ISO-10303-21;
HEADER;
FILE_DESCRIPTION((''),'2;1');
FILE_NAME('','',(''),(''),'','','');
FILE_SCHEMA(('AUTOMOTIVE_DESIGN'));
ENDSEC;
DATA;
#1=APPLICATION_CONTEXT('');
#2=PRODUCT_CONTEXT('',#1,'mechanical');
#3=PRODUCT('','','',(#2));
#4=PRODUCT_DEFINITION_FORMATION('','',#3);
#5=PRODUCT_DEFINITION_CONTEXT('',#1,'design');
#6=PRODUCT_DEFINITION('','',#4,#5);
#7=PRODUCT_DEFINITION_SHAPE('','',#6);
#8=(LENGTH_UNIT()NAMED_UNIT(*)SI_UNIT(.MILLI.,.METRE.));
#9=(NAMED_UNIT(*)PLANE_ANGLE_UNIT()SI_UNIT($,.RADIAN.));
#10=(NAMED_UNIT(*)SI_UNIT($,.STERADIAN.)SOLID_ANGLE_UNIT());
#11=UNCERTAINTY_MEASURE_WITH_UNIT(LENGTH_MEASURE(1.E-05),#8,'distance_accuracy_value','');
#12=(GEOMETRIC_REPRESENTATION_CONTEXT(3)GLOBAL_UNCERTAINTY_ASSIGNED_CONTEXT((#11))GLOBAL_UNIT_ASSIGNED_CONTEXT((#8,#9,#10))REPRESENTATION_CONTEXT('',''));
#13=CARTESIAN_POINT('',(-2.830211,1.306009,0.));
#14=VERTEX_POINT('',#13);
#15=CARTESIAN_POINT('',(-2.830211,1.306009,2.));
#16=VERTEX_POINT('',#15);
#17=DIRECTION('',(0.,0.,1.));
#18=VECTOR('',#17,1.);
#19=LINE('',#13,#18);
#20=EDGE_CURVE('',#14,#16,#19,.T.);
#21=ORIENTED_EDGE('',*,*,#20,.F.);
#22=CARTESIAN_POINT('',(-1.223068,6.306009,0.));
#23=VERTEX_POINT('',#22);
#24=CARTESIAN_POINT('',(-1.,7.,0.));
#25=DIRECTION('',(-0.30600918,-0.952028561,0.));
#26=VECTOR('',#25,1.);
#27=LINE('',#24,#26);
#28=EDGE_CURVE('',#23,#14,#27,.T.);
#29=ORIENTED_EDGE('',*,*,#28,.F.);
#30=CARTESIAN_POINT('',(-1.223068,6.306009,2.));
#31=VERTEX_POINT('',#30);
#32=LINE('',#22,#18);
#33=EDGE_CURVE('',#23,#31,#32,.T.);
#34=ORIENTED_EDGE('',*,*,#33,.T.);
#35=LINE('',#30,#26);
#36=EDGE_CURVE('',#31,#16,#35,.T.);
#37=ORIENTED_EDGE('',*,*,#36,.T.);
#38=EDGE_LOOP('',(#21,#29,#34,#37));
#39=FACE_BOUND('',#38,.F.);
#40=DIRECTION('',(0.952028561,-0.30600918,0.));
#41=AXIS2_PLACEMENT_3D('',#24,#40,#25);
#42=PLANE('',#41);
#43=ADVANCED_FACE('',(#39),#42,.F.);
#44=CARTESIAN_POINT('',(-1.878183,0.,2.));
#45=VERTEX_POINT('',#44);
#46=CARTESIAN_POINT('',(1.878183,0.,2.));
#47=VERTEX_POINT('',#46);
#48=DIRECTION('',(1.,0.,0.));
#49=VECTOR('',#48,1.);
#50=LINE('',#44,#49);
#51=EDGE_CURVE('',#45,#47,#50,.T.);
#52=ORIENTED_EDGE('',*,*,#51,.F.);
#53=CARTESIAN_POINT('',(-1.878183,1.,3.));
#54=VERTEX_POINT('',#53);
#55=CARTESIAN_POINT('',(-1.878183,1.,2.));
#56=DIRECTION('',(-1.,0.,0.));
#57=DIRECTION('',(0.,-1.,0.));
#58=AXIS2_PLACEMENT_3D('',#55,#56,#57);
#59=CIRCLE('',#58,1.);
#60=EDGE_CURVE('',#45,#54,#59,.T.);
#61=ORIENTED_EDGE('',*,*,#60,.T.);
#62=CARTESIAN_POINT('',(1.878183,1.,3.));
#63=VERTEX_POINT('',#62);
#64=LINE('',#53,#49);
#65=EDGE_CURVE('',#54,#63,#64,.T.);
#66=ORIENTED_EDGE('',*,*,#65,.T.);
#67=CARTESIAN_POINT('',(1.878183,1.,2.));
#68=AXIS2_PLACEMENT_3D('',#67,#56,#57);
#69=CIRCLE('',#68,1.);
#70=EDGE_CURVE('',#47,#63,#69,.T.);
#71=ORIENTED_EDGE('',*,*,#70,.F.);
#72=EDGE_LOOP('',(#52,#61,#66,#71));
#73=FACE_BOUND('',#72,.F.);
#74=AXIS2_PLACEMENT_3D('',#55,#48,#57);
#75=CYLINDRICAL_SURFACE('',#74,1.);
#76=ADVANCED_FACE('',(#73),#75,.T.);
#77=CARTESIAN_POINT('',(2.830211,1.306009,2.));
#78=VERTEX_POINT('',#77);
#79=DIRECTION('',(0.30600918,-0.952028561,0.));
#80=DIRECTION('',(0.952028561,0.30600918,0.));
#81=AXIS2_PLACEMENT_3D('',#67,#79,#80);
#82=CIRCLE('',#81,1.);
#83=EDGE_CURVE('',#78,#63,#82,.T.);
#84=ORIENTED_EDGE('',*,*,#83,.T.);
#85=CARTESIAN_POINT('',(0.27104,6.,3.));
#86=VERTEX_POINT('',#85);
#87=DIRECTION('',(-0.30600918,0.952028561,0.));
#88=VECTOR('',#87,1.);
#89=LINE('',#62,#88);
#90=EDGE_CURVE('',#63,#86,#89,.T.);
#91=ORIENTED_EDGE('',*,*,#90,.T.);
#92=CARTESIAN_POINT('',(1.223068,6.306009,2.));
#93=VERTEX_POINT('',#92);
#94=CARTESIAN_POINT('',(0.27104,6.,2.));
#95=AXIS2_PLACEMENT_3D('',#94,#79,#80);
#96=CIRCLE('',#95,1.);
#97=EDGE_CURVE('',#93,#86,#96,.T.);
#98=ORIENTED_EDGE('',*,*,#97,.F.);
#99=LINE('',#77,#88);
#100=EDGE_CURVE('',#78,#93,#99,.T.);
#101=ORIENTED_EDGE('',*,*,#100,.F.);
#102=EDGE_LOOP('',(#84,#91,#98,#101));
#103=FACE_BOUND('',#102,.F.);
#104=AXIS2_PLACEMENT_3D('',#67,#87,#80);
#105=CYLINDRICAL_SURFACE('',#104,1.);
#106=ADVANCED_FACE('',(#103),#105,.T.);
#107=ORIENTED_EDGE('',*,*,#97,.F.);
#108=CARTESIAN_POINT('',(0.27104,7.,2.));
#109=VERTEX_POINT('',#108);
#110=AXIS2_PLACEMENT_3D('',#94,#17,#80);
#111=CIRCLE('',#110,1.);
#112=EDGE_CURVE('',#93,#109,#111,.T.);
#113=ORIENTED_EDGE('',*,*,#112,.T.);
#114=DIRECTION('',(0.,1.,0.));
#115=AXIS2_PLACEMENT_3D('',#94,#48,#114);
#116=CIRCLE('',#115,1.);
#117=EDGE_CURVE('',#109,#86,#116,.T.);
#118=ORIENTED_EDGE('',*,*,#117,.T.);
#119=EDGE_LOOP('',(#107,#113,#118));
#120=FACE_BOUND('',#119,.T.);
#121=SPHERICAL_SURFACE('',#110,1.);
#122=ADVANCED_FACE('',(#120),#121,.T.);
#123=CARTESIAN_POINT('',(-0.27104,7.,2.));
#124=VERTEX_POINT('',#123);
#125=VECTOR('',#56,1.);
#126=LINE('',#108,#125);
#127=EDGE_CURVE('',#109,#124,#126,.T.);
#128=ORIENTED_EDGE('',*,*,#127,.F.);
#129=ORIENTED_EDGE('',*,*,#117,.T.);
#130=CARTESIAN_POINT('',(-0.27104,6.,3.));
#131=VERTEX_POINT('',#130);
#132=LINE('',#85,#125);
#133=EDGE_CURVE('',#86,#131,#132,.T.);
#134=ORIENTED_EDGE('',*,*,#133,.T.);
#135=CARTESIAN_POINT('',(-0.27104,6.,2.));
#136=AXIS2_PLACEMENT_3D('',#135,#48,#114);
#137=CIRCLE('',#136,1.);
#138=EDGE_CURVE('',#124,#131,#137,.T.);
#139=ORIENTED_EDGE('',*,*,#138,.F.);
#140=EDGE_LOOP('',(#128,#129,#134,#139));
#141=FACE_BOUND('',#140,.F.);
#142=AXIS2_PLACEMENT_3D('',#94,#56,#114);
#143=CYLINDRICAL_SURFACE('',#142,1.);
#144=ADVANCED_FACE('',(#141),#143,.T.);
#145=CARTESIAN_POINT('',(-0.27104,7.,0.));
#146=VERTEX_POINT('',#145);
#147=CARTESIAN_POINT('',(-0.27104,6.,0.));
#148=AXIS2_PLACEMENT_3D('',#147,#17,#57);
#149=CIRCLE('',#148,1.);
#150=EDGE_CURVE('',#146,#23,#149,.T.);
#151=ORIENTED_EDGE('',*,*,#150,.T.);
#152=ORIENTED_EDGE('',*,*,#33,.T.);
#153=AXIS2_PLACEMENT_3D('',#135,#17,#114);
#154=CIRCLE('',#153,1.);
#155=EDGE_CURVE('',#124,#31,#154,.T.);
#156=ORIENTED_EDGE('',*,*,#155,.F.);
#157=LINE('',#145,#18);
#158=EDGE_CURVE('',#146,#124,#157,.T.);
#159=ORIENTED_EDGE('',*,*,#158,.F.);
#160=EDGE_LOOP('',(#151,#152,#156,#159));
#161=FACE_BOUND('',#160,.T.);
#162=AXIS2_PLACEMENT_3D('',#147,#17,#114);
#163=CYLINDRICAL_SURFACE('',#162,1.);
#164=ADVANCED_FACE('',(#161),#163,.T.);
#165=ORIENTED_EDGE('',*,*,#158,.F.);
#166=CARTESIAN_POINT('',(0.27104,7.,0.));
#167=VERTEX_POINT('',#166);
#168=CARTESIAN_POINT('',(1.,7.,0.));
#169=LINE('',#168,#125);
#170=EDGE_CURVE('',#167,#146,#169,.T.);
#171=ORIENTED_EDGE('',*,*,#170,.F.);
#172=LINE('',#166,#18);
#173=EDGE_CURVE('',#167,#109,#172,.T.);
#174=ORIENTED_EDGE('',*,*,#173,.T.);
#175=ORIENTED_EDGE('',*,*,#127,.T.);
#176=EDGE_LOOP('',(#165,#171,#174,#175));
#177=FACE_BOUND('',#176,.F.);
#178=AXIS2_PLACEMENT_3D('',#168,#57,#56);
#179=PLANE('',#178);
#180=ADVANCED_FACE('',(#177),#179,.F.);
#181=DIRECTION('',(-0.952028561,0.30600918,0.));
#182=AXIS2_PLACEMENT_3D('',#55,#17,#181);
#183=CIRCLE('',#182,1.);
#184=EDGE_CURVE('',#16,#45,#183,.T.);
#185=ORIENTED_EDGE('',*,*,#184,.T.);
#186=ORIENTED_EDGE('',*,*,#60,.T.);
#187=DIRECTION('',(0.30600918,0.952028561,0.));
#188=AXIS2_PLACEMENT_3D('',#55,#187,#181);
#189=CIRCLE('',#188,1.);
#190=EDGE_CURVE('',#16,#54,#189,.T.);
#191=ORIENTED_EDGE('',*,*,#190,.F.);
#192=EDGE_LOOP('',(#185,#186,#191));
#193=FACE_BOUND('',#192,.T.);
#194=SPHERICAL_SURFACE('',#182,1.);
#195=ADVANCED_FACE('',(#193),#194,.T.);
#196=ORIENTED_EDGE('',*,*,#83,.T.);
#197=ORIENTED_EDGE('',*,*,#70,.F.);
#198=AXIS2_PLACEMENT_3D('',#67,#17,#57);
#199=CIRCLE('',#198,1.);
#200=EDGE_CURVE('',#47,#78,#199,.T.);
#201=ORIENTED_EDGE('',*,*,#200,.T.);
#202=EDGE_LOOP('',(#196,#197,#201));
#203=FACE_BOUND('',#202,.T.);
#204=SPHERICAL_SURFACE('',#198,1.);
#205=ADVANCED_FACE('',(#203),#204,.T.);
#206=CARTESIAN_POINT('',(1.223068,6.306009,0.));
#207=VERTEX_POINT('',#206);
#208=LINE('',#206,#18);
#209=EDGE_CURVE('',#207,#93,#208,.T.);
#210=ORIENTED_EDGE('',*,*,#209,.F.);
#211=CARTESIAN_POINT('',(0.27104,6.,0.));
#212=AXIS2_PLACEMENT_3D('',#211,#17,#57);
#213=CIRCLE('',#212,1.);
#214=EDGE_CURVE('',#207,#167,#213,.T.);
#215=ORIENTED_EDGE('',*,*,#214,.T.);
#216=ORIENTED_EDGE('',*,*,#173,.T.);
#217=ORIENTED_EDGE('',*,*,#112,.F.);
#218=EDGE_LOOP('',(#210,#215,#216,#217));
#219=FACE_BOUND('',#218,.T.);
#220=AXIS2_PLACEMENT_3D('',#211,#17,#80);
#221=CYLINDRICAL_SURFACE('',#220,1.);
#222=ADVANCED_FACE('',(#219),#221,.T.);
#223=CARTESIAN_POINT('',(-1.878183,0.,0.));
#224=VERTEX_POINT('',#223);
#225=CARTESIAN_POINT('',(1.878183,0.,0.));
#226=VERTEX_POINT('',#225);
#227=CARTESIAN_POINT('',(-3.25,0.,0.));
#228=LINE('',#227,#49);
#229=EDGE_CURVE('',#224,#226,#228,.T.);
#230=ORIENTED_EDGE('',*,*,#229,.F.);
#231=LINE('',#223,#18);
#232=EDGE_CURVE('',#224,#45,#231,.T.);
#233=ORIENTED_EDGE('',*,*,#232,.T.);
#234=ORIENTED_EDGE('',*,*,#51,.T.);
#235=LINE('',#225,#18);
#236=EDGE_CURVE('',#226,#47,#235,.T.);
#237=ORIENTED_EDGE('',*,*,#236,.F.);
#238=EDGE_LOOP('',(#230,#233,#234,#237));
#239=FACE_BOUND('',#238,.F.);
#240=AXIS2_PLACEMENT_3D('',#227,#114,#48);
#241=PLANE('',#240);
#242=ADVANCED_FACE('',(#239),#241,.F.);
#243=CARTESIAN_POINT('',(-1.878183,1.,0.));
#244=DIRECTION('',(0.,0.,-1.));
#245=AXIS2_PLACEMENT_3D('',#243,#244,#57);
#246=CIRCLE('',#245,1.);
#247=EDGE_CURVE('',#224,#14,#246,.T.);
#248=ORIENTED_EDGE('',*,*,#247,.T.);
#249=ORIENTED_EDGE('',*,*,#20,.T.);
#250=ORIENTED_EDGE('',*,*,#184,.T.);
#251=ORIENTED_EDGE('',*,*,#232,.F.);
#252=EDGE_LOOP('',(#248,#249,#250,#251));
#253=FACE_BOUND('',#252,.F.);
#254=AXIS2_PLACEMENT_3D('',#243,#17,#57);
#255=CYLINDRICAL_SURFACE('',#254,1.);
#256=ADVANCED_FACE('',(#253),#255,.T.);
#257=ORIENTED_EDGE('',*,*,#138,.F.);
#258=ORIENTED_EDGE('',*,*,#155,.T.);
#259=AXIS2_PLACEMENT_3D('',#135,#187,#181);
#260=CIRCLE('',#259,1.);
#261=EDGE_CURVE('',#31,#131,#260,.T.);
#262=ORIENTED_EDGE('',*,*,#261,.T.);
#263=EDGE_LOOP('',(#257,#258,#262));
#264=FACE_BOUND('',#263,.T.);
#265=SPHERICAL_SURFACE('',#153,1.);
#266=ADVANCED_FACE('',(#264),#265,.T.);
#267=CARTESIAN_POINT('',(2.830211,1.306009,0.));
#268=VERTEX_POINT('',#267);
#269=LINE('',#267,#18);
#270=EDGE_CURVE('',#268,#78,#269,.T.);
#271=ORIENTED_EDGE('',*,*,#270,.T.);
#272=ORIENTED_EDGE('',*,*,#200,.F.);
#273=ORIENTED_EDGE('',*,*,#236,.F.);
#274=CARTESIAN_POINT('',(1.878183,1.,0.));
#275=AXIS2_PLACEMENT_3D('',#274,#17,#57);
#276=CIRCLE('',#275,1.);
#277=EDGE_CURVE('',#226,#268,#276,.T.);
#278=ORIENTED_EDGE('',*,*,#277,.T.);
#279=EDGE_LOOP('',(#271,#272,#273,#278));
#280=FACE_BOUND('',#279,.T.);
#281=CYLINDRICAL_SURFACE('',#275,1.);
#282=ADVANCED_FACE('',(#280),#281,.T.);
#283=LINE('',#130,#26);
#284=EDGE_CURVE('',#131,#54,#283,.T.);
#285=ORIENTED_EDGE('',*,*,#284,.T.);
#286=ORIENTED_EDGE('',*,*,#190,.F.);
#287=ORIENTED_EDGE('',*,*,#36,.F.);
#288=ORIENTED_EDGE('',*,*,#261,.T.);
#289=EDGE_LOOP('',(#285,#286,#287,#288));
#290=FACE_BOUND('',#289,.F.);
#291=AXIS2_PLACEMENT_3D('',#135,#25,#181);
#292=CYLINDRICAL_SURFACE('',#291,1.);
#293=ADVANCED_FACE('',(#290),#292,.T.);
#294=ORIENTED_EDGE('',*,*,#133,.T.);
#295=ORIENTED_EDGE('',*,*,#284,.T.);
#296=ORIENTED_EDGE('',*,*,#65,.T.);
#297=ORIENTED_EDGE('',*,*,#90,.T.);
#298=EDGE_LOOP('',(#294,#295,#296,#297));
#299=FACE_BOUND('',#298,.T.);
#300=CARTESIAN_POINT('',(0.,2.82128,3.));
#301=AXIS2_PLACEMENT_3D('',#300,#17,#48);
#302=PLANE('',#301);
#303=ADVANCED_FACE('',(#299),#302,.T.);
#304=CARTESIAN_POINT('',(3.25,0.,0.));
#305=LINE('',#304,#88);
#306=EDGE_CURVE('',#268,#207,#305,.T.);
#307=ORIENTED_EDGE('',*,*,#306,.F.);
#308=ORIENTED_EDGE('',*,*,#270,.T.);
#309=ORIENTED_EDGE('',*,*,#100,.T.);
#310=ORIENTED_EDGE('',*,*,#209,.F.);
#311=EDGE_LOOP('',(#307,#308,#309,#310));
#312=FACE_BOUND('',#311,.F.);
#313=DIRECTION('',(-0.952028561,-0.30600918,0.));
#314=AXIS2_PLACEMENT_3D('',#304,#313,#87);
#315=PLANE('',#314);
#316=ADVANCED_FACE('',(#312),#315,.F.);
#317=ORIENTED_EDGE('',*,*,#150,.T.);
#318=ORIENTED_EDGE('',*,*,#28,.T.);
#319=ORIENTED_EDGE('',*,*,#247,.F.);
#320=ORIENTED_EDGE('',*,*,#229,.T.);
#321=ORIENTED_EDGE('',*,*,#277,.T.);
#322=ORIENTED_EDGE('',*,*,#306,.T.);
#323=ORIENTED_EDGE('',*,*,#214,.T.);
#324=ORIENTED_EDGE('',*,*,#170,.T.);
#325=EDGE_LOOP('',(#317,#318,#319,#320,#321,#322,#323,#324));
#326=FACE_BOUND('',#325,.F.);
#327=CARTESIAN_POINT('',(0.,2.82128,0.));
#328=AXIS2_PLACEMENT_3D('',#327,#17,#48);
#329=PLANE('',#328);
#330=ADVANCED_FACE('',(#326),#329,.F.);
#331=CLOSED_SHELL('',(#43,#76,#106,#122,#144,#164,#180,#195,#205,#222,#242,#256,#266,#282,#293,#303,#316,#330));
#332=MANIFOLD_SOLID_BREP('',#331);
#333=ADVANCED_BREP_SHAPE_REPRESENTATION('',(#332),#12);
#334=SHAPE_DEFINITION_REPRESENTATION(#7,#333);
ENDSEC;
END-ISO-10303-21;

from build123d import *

# Parameters (mm, degrees)
PAD_DEPTH   = 3
FILLET_R    = 1
FILLET001_R = 1


with BuildPart() as part:
    # Sketch → Pad (new body)
    with BuildSketch(Plane.XY):
        Polygon((-3.25, 0), (3.25, 0), (1, 7), (-1, 7), align=None)
    extrude(amount=PAD_DEPTH)

    # Fillet
    fillet_edges = [part.edges().sort_by_distance(p)[0] for p in [
        (-3.25, 0, 1.5),
        (3.25, 0, 1.5),
        (1, 7, 1.5),
        (-1, 7, 1.5),
    ]]
    fillet(fillet_edges, radius=FILLET_R)

    # Fillet001
    fillet001_edges = [part.edges().sort_by_distance(p)[0] for p in [
        (0, 0, 3),
        (-2.68627, 0.410937, 3),
        (2.68627, 0.410937, 3),
        (-2.02664, 3.806009, 3),
        (2.02664, 3.806009, 3),
        (-0.860103, 6.808087, 3),
        (0.860103, 6.808087, 3),
        (0, 7, 3),
    ]]
    fillet(fillet001_edges, radius=FILLET001_R)


solid = part.part
